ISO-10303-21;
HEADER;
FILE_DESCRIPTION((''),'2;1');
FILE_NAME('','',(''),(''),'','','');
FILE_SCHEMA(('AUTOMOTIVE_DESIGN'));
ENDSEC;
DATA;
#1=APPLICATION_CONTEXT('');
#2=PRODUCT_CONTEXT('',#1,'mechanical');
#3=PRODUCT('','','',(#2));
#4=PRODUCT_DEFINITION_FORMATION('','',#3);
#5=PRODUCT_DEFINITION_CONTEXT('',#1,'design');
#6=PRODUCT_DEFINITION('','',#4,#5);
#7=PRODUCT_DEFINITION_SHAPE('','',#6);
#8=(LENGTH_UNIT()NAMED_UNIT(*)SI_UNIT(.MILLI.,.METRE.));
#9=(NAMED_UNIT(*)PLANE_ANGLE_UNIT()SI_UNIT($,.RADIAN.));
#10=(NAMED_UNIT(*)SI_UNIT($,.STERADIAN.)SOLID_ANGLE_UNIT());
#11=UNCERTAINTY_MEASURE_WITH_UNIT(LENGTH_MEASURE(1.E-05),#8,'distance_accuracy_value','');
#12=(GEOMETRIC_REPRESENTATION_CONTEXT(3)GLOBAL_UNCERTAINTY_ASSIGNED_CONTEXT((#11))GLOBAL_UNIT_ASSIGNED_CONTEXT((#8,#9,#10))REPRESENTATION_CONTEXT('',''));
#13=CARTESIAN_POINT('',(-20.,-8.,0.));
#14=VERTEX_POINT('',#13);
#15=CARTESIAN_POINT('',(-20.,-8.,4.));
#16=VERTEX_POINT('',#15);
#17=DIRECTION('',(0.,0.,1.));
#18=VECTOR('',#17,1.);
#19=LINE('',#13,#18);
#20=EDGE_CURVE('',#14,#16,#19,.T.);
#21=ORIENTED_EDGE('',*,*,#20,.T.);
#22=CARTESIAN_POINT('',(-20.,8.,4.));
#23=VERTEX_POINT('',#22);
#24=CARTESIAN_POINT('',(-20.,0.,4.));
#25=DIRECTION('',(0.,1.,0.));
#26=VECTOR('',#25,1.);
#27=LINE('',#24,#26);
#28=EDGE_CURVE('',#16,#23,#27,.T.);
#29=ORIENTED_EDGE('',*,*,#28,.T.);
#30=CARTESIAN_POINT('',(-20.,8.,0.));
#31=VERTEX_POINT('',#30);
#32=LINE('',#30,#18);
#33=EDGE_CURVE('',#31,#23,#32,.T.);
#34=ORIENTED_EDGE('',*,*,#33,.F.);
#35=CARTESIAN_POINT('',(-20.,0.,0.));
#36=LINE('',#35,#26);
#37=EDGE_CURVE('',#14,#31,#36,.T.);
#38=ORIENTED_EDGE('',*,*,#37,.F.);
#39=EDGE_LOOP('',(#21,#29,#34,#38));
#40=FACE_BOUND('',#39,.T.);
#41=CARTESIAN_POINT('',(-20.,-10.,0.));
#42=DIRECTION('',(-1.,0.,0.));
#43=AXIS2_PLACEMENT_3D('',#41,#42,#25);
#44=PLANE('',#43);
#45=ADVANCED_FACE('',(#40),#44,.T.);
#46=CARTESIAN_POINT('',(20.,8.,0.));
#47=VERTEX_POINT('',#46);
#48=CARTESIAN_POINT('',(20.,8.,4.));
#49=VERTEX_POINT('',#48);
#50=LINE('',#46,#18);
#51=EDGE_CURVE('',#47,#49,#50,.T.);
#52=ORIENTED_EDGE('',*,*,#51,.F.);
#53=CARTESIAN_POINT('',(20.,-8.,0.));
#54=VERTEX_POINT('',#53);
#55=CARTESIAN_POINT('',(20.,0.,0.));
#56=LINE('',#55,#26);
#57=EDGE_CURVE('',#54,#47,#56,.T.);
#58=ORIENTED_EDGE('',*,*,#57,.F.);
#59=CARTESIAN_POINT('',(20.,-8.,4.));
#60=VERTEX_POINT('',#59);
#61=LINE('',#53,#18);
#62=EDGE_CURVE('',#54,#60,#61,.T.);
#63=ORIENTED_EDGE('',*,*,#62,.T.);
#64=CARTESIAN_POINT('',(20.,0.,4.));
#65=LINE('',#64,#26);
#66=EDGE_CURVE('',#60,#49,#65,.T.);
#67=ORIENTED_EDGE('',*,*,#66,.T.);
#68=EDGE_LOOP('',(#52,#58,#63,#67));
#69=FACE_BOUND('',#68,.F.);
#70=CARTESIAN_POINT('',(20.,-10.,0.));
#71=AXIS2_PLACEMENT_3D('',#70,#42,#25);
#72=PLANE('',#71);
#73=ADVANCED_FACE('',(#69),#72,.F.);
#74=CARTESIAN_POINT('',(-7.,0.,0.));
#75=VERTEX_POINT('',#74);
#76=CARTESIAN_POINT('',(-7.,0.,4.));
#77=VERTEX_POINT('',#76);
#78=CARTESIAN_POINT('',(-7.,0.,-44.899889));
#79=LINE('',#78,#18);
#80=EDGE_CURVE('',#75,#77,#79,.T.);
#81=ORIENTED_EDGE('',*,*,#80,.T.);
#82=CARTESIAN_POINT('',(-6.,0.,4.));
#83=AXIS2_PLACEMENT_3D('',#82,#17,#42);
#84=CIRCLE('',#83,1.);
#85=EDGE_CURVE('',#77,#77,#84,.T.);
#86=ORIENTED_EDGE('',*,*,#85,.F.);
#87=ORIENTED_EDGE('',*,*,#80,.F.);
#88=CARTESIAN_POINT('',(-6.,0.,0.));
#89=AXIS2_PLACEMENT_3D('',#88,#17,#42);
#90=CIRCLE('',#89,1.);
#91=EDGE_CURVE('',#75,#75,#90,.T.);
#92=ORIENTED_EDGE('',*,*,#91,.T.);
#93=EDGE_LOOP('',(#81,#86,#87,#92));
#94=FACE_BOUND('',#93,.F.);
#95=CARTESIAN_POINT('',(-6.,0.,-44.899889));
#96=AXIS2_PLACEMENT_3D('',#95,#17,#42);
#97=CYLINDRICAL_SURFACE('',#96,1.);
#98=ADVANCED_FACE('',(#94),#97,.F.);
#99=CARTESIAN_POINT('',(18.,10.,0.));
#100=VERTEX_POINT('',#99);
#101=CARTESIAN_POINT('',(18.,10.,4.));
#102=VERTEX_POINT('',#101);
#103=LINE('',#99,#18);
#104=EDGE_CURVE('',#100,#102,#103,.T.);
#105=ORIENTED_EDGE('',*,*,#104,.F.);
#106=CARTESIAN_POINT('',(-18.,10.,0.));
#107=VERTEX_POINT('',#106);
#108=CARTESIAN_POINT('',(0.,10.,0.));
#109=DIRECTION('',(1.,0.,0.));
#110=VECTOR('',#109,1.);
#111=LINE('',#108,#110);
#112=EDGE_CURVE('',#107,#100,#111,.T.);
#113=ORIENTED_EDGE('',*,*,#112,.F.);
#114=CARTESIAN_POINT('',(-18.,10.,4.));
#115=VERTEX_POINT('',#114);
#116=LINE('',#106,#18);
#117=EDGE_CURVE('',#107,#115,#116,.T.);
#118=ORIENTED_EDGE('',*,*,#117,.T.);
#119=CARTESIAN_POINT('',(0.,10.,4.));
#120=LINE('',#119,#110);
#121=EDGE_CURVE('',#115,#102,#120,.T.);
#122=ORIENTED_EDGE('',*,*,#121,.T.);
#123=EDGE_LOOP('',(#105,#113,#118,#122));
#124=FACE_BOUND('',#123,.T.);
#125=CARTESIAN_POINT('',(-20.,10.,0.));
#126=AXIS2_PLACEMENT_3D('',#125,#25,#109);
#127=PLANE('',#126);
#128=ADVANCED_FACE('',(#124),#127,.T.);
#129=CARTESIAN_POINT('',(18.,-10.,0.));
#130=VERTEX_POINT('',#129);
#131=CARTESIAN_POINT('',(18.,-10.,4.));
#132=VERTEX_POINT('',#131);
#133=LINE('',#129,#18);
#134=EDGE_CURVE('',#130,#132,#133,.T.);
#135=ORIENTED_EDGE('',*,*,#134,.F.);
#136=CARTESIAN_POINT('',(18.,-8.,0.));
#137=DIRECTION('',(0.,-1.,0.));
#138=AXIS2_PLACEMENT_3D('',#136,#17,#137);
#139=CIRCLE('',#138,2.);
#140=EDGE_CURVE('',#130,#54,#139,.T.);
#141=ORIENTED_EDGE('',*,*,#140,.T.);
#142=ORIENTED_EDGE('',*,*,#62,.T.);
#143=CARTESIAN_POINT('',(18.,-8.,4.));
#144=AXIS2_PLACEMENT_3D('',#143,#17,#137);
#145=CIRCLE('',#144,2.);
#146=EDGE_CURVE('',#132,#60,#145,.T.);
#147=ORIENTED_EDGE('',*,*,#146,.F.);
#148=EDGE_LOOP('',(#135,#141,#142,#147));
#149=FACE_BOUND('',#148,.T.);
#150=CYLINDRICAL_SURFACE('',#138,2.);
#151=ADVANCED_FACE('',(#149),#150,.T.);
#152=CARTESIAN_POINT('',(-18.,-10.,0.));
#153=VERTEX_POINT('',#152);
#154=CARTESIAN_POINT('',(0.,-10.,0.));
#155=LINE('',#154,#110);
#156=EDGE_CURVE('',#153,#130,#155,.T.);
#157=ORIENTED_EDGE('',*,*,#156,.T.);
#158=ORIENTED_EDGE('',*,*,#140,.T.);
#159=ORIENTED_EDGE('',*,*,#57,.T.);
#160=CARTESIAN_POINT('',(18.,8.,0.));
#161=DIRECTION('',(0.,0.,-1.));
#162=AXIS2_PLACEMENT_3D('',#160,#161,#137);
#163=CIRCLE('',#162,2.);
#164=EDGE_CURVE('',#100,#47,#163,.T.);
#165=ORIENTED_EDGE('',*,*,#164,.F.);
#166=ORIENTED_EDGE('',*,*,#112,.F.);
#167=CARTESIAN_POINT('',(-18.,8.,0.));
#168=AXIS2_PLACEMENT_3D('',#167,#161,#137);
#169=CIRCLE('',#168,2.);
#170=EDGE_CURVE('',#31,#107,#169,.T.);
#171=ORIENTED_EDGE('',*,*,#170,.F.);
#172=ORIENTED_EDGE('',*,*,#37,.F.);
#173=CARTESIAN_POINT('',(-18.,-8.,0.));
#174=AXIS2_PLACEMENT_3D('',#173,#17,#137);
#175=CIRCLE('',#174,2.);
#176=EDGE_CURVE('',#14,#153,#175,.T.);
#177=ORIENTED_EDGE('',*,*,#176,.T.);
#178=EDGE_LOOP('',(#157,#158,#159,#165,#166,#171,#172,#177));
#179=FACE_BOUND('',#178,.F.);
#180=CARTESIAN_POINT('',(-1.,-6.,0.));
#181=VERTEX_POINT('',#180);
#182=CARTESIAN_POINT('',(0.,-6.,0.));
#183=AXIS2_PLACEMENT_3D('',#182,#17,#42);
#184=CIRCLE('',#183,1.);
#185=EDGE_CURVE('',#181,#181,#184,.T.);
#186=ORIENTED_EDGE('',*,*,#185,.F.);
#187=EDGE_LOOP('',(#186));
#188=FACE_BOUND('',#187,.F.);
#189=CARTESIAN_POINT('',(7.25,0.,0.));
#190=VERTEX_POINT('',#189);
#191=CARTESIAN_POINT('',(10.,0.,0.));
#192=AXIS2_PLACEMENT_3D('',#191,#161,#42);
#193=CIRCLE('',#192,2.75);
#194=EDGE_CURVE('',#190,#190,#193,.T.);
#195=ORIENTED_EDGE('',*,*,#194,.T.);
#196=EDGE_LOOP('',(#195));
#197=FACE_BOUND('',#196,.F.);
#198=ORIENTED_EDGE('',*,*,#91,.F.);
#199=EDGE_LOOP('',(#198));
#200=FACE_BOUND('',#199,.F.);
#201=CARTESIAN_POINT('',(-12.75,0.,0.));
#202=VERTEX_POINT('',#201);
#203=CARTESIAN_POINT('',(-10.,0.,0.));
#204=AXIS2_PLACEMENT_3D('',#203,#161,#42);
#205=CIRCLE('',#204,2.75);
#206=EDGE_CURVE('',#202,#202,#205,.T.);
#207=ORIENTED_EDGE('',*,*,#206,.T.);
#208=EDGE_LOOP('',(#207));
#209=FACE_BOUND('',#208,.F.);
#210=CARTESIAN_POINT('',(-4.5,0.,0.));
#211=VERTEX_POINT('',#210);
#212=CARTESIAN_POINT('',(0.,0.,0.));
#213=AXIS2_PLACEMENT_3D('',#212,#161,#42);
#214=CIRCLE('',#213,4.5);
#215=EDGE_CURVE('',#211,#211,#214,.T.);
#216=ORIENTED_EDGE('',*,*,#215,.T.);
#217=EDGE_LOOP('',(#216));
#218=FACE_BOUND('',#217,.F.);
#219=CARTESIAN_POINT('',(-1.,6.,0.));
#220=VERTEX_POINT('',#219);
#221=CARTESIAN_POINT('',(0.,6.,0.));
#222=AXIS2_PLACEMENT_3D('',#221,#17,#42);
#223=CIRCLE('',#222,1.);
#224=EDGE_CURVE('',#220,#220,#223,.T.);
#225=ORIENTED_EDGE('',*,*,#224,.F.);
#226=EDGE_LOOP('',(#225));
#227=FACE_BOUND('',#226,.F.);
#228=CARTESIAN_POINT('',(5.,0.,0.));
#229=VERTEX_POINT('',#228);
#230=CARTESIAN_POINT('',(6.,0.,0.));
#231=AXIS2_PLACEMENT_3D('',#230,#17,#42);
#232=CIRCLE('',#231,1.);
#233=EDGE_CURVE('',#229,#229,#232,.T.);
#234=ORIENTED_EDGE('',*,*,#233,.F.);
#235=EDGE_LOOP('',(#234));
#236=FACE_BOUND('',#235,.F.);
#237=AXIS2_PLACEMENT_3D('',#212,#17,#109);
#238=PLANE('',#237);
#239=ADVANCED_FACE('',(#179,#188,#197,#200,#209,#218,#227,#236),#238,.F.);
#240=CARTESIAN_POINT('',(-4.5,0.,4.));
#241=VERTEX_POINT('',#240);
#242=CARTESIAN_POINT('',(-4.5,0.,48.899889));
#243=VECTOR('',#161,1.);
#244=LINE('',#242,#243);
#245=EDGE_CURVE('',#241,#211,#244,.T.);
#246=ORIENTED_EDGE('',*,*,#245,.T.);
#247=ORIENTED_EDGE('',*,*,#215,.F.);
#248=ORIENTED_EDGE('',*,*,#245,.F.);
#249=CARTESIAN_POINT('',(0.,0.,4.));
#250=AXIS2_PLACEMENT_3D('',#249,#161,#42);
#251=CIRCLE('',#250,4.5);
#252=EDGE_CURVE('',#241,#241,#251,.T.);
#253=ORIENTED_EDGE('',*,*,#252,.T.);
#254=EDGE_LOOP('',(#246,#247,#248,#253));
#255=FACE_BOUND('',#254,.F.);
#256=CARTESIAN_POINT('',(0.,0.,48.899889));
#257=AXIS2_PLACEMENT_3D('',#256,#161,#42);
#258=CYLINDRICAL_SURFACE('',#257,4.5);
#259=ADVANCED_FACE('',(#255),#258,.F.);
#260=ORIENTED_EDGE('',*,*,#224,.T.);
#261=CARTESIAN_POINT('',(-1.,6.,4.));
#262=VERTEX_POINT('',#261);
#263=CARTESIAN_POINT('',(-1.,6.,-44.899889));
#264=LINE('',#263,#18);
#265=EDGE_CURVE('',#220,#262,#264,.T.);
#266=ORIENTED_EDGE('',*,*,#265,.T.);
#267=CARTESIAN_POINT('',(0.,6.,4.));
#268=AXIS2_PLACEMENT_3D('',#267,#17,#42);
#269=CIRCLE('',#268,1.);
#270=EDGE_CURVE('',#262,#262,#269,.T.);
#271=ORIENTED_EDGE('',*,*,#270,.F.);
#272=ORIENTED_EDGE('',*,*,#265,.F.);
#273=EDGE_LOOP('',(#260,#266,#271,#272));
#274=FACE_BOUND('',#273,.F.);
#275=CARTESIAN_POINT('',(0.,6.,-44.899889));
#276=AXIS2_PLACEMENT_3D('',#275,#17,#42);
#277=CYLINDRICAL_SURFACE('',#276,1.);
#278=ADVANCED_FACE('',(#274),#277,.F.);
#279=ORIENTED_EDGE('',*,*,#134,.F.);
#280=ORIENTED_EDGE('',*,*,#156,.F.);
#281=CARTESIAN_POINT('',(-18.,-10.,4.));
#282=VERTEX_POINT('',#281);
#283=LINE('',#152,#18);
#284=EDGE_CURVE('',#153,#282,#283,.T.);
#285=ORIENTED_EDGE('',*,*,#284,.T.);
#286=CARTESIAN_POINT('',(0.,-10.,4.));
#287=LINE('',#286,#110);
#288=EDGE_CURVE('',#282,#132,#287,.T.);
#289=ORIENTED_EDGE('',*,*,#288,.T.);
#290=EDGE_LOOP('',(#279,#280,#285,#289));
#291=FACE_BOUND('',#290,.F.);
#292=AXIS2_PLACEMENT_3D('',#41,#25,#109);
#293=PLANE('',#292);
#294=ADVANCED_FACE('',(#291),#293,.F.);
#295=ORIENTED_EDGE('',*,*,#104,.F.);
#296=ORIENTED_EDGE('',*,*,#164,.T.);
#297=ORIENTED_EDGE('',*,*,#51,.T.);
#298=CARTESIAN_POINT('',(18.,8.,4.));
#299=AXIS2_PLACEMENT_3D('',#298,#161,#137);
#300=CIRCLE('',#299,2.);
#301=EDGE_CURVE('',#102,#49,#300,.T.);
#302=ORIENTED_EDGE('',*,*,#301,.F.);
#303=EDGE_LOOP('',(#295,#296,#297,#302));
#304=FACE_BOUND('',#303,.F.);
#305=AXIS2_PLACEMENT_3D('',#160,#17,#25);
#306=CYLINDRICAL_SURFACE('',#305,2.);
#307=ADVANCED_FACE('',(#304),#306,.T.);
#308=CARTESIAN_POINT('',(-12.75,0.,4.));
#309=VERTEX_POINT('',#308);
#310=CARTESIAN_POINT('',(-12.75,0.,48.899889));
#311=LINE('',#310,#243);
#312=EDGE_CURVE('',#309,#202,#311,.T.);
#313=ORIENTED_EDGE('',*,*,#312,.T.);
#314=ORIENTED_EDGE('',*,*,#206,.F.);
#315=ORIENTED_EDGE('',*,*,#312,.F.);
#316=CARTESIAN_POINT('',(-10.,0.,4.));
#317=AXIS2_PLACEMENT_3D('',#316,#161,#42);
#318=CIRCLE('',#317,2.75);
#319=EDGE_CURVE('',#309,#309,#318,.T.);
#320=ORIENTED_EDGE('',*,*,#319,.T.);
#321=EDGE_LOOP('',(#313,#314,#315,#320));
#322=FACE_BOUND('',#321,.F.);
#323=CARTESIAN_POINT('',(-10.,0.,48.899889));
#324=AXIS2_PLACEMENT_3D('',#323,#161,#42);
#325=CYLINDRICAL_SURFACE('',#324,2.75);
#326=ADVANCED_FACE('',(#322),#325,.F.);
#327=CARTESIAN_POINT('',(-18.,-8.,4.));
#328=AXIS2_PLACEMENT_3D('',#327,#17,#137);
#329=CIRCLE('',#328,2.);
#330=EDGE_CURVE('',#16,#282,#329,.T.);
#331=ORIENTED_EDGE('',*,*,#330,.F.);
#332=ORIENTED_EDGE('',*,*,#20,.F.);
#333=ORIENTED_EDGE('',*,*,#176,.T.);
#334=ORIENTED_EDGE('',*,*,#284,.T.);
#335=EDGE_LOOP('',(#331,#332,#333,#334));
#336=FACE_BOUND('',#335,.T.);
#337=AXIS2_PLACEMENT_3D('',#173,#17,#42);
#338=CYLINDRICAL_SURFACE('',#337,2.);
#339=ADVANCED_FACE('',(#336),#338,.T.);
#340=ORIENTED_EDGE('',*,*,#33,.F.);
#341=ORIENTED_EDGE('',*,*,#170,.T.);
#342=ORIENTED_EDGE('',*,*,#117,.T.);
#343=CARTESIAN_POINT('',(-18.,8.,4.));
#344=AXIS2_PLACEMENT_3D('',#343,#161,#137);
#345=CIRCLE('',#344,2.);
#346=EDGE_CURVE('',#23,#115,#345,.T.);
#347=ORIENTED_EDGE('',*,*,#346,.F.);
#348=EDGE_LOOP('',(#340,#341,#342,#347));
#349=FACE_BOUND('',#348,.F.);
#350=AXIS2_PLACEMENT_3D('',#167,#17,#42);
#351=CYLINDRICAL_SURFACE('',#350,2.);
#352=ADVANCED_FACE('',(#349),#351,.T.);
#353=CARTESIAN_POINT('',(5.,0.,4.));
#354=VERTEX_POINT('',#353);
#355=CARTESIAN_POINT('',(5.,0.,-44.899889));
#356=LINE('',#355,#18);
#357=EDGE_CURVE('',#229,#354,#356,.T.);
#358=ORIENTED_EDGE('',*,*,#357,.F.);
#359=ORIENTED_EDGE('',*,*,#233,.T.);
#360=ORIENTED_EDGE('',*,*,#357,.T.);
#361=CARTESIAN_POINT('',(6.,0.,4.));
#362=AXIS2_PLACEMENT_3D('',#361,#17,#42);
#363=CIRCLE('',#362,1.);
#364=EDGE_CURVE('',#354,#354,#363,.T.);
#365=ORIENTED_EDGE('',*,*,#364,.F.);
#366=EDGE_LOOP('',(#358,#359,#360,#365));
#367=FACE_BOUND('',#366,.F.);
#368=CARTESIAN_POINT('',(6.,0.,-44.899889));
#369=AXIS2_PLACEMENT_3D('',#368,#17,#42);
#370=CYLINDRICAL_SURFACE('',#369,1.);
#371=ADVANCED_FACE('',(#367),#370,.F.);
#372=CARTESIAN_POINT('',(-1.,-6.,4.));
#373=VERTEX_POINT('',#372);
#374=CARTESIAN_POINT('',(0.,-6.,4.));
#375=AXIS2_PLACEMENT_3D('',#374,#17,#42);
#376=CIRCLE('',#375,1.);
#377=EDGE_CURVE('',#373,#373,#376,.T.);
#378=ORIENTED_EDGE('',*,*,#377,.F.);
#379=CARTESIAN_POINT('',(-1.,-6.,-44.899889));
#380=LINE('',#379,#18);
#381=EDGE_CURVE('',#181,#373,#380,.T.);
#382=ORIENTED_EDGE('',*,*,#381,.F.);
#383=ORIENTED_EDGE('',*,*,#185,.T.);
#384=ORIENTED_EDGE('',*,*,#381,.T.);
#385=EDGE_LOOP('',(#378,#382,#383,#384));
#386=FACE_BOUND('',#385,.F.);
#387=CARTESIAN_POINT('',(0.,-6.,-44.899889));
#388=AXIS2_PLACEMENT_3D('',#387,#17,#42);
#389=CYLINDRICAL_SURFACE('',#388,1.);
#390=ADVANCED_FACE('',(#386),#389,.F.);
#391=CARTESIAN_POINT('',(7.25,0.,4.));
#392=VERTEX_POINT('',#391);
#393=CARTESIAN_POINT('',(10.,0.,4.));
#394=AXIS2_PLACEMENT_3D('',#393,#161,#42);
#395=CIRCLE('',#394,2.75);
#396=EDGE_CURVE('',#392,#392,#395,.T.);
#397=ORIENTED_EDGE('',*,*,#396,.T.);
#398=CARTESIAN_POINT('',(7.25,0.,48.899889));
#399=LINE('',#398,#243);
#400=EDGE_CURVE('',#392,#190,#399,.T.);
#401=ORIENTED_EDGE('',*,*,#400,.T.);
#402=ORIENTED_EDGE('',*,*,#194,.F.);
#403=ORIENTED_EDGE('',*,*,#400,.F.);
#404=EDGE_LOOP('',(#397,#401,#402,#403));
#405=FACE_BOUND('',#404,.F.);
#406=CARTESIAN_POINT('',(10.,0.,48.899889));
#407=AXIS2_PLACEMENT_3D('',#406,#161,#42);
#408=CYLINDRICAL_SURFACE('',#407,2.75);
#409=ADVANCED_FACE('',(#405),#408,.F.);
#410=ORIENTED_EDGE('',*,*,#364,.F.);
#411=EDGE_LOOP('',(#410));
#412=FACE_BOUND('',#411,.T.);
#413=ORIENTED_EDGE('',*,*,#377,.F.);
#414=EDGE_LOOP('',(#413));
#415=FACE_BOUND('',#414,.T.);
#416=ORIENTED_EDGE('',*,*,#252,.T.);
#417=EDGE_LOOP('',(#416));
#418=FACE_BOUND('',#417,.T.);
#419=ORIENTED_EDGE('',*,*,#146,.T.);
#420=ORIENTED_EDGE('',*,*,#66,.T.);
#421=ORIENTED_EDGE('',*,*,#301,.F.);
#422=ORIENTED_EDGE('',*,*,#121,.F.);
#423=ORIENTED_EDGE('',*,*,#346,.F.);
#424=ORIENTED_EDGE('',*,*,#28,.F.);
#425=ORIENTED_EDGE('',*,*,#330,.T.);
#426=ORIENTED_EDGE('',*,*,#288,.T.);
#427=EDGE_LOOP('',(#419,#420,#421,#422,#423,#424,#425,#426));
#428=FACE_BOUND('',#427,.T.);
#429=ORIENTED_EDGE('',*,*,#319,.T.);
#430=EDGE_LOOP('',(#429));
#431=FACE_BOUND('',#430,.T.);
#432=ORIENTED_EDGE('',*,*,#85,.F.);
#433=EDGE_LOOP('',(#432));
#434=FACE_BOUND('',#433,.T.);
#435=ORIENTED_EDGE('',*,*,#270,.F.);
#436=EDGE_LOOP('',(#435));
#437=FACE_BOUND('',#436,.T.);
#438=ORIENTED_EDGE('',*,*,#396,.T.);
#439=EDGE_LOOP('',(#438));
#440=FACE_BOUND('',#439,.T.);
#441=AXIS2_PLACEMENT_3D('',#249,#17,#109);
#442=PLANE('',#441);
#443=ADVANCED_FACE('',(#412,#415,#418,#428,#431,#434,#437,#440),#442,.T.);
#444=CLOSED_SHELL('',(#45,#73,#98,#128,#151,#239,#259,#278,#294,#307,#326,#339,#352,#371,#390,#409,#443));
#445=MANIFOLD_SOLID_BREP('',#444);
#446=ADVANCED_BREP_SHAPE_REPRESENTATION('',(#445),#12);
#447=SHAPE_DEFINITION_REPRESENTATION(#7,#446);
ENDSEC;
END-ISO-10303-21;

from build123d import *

# Parameters (mm, degrees)
F6_W     = 40
F6_H     = 20
F6_R     = 6
F7_DEPTH = 4
F0_D     = 2
F1_D     = 9
F2_R     = 2
F4_D     = 5.5


with BuildPart() as f7:
    # F6 (on Top) → F7 (new body)
    with BuildSketch(Plane.XY):
        Rectangle(F6_W, F6_H)
        Circle(F6_R, mode=Mode.SUBTRACT)
        Circle(F6_R)
    extrude(amount=F7_DEPTH)

    # F0 (through all)
    with Locations(Plane(origin=(0, 0, 0), x_dir=(1, 0, 0), z_dir=(0, 0, -1))):
        with Locations((0, -6), (-6, 0), (6, 0), (0, 6)):
            Hole(F0_D / 2)

    # F1 (through all)
    with Locations(Plane.XY.offset(4)):
        with Locations((0, 0)):
            Hole(F1_D / 2)

    # F2
    f2_edges = [f7.edges().sort_by_distance(p)[0] for p in [
        (20, 10, 2),
        (20, -10, 2),
        (-20, -10, 2),
        (-20, 10, 2),
    ]]
    fillet(f2_edges, radius=F2_R)

    # F4 (through all)
    with Locations(Plane.XY.offset(4)):
        with Locations((10, 0), (-10, 0)):
            Hole(F4_D / 2)


solid = f7.part
